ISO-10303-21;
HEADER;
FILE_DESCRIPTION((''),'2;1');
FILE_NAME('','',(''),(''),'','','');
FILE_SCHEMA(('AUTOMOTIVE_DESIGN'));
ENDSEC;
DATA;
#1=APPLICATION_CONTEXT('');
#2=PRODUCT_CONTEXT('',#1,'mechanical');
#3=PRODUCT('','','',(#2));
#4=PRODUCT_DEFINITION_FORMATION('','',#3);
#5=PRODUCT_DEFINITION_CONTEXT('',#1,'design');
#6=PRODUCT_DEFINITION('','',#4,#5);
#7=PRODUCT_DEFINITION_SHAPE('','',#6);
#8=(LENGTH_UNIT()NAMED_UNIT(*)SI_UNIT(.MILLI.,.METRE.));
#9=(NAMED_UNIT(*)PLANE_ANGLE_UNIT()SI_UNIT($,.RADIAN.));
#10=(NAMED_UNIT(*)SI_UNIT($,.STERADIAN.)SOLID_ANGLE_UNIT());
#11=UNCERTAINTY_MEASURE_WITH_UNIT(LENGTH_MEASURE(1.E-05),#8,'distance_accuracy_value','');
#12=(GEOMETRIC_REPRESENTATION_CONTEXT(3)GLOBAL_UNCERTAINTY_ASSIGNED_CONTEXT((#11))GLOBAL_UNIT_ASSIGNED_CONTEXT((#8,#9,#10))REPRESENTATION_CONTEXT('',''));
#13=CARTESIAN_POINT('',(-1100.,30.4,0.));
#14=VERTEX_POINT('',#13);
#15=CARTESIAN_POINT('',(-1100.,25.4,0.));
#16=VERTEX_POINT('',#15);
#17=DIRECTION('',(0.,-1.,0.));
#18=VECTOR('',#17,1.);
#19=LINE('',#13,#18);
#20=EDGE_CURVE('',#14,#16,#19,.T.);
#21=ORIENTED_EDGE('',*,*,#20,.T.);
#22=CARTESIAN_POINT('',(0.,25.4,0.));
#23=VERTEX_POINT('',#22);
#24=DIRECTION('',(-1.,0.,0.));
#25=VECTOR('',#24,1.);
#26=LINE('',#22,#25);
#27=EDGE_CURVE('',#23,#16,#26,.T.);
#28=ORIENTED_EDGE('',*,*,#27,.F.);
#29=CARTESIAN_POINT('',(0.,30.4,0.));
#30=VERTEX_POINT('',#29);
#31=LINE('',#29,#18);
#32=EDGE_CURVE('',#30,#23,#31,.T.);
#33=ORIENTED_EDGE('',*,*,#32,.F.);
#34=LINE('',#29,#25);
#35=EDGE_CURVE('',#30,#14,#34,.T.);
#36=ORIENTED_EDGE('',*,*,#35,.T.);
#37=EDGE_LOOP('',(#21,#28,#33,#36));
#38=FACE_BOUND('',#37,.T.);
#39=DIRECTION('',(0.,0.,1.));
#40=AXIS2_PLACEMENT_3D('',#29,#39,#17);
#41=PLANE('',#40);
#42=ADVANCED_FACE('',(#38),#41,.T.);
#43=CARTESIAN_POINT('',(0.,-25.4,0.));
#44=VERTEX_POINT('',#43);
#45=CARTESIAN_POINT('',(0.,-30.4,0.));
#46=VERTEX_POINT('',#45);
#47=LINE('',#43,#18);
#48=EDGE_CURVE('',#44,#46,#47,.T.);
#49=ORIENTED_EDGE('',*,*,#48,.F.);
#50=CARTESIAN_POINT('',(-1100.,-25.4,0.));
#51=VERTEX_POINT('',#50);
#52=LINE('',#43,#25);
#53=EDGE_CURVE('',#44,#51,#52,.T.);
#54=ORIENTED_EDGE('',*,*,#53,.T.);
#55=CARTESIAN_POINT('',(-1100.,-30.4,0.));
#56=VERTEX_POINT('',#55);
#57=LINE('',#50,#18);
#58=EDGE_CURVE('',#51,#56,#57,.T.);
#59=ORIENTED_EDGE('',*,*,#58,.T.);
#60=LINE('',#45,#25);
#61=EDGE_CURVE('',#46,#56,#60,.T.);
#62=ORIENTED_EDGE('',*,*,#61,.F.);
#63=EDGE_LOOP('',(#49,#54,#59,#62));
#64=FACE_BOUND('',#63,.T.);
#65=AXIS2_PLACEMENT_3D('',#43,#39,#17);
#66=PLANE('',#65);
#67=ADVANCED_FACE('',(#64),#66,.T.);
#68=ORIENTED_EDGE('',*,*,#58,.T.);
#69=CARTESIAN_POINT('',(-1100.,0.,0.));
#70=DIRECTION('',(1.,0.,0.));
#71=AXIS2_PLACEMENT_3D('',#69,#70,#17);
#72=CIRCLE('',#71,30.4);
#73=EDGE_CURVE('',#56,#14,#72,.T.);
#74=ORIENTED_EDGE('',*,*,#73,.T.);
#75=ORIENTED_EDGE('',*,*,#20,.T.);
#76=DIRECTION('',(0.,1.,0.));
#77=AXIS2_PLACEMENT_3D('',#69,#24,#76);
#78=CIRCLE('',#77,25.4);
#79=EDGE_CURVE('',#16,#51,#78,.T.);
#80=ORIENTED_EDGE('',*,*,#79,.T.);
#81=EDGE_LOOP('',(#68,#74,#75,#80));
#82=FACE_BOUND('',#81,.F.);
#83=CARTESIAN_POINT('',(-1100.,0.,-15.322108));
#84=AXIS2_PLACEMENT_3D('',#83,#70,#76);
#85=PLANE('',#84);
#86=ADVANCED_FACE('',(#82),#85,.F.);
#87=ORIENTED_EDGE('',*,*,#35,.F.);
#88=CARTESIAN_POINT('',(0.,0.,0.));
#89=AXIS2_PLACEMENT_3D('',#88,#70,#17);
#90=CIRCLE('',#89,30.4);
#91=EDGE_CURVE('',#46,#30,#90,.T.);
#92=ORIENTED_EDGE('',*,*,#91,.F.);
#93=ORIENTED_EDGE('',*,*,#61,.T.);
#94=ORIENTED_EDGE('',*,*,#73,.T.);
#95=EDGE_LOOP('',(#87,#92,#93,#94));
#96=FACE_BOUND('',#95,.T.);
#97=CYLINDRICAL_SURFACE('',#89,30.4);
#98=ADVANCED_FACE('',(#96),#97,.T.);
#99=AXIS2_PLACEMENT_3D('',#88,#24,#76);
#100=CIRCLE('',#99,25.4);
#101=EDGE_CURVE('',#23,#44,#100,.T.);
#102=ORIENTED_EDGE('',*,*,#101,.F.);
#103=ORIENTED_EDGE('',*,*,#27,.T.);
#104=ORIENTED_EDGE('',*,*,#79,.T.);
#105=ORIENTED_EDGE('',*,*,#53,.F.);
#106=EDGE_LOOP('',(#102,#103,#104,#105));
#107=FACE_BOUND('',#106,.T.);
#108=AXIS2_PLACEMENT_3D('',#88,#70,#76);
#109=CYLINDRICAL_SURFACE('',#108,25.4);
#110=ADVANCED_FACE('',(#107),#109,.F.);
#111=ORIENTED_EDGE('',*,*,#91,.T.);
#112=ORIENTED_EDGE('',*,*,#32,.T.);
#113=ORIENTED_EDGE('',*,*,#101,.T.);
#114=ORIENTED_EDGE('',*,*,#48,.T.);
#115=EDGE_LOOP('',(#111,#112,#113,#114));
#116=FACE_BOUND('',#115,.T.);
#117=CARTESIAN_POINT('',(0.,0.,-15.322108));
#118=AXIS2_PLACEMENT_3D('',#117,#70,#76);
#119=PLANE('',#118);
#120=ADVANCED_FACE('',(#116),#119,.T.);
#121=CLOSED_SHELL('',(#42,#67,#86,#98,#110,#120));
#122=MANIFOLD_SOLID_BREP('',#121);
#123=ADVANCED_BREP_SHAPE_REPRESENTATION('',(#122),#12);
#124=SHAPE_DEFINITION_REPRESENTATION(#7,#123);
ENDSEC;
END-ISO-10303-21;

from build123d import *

# Parameters (mm, degrees)
F1_DEPTH = 1100


with BuildPart() as f1:
    # F0 (on Right) → F1 (new body)
    with BuildSketch(Plane.YZ):
        with BuildLine():
            ThreePointArc((25.4, 0), (0, -25.4), (-25.4, 0))
            Line((-25.4, 0), (-30.4, 0))
            ThreePointArc((-30.4, 0), (0, -30.4), (30.4, 0))
            Line((30.4, 0), (25.4, 0))
        make_face()
    extrude(amount=-F1_DEPTH)


solid = f1.part
